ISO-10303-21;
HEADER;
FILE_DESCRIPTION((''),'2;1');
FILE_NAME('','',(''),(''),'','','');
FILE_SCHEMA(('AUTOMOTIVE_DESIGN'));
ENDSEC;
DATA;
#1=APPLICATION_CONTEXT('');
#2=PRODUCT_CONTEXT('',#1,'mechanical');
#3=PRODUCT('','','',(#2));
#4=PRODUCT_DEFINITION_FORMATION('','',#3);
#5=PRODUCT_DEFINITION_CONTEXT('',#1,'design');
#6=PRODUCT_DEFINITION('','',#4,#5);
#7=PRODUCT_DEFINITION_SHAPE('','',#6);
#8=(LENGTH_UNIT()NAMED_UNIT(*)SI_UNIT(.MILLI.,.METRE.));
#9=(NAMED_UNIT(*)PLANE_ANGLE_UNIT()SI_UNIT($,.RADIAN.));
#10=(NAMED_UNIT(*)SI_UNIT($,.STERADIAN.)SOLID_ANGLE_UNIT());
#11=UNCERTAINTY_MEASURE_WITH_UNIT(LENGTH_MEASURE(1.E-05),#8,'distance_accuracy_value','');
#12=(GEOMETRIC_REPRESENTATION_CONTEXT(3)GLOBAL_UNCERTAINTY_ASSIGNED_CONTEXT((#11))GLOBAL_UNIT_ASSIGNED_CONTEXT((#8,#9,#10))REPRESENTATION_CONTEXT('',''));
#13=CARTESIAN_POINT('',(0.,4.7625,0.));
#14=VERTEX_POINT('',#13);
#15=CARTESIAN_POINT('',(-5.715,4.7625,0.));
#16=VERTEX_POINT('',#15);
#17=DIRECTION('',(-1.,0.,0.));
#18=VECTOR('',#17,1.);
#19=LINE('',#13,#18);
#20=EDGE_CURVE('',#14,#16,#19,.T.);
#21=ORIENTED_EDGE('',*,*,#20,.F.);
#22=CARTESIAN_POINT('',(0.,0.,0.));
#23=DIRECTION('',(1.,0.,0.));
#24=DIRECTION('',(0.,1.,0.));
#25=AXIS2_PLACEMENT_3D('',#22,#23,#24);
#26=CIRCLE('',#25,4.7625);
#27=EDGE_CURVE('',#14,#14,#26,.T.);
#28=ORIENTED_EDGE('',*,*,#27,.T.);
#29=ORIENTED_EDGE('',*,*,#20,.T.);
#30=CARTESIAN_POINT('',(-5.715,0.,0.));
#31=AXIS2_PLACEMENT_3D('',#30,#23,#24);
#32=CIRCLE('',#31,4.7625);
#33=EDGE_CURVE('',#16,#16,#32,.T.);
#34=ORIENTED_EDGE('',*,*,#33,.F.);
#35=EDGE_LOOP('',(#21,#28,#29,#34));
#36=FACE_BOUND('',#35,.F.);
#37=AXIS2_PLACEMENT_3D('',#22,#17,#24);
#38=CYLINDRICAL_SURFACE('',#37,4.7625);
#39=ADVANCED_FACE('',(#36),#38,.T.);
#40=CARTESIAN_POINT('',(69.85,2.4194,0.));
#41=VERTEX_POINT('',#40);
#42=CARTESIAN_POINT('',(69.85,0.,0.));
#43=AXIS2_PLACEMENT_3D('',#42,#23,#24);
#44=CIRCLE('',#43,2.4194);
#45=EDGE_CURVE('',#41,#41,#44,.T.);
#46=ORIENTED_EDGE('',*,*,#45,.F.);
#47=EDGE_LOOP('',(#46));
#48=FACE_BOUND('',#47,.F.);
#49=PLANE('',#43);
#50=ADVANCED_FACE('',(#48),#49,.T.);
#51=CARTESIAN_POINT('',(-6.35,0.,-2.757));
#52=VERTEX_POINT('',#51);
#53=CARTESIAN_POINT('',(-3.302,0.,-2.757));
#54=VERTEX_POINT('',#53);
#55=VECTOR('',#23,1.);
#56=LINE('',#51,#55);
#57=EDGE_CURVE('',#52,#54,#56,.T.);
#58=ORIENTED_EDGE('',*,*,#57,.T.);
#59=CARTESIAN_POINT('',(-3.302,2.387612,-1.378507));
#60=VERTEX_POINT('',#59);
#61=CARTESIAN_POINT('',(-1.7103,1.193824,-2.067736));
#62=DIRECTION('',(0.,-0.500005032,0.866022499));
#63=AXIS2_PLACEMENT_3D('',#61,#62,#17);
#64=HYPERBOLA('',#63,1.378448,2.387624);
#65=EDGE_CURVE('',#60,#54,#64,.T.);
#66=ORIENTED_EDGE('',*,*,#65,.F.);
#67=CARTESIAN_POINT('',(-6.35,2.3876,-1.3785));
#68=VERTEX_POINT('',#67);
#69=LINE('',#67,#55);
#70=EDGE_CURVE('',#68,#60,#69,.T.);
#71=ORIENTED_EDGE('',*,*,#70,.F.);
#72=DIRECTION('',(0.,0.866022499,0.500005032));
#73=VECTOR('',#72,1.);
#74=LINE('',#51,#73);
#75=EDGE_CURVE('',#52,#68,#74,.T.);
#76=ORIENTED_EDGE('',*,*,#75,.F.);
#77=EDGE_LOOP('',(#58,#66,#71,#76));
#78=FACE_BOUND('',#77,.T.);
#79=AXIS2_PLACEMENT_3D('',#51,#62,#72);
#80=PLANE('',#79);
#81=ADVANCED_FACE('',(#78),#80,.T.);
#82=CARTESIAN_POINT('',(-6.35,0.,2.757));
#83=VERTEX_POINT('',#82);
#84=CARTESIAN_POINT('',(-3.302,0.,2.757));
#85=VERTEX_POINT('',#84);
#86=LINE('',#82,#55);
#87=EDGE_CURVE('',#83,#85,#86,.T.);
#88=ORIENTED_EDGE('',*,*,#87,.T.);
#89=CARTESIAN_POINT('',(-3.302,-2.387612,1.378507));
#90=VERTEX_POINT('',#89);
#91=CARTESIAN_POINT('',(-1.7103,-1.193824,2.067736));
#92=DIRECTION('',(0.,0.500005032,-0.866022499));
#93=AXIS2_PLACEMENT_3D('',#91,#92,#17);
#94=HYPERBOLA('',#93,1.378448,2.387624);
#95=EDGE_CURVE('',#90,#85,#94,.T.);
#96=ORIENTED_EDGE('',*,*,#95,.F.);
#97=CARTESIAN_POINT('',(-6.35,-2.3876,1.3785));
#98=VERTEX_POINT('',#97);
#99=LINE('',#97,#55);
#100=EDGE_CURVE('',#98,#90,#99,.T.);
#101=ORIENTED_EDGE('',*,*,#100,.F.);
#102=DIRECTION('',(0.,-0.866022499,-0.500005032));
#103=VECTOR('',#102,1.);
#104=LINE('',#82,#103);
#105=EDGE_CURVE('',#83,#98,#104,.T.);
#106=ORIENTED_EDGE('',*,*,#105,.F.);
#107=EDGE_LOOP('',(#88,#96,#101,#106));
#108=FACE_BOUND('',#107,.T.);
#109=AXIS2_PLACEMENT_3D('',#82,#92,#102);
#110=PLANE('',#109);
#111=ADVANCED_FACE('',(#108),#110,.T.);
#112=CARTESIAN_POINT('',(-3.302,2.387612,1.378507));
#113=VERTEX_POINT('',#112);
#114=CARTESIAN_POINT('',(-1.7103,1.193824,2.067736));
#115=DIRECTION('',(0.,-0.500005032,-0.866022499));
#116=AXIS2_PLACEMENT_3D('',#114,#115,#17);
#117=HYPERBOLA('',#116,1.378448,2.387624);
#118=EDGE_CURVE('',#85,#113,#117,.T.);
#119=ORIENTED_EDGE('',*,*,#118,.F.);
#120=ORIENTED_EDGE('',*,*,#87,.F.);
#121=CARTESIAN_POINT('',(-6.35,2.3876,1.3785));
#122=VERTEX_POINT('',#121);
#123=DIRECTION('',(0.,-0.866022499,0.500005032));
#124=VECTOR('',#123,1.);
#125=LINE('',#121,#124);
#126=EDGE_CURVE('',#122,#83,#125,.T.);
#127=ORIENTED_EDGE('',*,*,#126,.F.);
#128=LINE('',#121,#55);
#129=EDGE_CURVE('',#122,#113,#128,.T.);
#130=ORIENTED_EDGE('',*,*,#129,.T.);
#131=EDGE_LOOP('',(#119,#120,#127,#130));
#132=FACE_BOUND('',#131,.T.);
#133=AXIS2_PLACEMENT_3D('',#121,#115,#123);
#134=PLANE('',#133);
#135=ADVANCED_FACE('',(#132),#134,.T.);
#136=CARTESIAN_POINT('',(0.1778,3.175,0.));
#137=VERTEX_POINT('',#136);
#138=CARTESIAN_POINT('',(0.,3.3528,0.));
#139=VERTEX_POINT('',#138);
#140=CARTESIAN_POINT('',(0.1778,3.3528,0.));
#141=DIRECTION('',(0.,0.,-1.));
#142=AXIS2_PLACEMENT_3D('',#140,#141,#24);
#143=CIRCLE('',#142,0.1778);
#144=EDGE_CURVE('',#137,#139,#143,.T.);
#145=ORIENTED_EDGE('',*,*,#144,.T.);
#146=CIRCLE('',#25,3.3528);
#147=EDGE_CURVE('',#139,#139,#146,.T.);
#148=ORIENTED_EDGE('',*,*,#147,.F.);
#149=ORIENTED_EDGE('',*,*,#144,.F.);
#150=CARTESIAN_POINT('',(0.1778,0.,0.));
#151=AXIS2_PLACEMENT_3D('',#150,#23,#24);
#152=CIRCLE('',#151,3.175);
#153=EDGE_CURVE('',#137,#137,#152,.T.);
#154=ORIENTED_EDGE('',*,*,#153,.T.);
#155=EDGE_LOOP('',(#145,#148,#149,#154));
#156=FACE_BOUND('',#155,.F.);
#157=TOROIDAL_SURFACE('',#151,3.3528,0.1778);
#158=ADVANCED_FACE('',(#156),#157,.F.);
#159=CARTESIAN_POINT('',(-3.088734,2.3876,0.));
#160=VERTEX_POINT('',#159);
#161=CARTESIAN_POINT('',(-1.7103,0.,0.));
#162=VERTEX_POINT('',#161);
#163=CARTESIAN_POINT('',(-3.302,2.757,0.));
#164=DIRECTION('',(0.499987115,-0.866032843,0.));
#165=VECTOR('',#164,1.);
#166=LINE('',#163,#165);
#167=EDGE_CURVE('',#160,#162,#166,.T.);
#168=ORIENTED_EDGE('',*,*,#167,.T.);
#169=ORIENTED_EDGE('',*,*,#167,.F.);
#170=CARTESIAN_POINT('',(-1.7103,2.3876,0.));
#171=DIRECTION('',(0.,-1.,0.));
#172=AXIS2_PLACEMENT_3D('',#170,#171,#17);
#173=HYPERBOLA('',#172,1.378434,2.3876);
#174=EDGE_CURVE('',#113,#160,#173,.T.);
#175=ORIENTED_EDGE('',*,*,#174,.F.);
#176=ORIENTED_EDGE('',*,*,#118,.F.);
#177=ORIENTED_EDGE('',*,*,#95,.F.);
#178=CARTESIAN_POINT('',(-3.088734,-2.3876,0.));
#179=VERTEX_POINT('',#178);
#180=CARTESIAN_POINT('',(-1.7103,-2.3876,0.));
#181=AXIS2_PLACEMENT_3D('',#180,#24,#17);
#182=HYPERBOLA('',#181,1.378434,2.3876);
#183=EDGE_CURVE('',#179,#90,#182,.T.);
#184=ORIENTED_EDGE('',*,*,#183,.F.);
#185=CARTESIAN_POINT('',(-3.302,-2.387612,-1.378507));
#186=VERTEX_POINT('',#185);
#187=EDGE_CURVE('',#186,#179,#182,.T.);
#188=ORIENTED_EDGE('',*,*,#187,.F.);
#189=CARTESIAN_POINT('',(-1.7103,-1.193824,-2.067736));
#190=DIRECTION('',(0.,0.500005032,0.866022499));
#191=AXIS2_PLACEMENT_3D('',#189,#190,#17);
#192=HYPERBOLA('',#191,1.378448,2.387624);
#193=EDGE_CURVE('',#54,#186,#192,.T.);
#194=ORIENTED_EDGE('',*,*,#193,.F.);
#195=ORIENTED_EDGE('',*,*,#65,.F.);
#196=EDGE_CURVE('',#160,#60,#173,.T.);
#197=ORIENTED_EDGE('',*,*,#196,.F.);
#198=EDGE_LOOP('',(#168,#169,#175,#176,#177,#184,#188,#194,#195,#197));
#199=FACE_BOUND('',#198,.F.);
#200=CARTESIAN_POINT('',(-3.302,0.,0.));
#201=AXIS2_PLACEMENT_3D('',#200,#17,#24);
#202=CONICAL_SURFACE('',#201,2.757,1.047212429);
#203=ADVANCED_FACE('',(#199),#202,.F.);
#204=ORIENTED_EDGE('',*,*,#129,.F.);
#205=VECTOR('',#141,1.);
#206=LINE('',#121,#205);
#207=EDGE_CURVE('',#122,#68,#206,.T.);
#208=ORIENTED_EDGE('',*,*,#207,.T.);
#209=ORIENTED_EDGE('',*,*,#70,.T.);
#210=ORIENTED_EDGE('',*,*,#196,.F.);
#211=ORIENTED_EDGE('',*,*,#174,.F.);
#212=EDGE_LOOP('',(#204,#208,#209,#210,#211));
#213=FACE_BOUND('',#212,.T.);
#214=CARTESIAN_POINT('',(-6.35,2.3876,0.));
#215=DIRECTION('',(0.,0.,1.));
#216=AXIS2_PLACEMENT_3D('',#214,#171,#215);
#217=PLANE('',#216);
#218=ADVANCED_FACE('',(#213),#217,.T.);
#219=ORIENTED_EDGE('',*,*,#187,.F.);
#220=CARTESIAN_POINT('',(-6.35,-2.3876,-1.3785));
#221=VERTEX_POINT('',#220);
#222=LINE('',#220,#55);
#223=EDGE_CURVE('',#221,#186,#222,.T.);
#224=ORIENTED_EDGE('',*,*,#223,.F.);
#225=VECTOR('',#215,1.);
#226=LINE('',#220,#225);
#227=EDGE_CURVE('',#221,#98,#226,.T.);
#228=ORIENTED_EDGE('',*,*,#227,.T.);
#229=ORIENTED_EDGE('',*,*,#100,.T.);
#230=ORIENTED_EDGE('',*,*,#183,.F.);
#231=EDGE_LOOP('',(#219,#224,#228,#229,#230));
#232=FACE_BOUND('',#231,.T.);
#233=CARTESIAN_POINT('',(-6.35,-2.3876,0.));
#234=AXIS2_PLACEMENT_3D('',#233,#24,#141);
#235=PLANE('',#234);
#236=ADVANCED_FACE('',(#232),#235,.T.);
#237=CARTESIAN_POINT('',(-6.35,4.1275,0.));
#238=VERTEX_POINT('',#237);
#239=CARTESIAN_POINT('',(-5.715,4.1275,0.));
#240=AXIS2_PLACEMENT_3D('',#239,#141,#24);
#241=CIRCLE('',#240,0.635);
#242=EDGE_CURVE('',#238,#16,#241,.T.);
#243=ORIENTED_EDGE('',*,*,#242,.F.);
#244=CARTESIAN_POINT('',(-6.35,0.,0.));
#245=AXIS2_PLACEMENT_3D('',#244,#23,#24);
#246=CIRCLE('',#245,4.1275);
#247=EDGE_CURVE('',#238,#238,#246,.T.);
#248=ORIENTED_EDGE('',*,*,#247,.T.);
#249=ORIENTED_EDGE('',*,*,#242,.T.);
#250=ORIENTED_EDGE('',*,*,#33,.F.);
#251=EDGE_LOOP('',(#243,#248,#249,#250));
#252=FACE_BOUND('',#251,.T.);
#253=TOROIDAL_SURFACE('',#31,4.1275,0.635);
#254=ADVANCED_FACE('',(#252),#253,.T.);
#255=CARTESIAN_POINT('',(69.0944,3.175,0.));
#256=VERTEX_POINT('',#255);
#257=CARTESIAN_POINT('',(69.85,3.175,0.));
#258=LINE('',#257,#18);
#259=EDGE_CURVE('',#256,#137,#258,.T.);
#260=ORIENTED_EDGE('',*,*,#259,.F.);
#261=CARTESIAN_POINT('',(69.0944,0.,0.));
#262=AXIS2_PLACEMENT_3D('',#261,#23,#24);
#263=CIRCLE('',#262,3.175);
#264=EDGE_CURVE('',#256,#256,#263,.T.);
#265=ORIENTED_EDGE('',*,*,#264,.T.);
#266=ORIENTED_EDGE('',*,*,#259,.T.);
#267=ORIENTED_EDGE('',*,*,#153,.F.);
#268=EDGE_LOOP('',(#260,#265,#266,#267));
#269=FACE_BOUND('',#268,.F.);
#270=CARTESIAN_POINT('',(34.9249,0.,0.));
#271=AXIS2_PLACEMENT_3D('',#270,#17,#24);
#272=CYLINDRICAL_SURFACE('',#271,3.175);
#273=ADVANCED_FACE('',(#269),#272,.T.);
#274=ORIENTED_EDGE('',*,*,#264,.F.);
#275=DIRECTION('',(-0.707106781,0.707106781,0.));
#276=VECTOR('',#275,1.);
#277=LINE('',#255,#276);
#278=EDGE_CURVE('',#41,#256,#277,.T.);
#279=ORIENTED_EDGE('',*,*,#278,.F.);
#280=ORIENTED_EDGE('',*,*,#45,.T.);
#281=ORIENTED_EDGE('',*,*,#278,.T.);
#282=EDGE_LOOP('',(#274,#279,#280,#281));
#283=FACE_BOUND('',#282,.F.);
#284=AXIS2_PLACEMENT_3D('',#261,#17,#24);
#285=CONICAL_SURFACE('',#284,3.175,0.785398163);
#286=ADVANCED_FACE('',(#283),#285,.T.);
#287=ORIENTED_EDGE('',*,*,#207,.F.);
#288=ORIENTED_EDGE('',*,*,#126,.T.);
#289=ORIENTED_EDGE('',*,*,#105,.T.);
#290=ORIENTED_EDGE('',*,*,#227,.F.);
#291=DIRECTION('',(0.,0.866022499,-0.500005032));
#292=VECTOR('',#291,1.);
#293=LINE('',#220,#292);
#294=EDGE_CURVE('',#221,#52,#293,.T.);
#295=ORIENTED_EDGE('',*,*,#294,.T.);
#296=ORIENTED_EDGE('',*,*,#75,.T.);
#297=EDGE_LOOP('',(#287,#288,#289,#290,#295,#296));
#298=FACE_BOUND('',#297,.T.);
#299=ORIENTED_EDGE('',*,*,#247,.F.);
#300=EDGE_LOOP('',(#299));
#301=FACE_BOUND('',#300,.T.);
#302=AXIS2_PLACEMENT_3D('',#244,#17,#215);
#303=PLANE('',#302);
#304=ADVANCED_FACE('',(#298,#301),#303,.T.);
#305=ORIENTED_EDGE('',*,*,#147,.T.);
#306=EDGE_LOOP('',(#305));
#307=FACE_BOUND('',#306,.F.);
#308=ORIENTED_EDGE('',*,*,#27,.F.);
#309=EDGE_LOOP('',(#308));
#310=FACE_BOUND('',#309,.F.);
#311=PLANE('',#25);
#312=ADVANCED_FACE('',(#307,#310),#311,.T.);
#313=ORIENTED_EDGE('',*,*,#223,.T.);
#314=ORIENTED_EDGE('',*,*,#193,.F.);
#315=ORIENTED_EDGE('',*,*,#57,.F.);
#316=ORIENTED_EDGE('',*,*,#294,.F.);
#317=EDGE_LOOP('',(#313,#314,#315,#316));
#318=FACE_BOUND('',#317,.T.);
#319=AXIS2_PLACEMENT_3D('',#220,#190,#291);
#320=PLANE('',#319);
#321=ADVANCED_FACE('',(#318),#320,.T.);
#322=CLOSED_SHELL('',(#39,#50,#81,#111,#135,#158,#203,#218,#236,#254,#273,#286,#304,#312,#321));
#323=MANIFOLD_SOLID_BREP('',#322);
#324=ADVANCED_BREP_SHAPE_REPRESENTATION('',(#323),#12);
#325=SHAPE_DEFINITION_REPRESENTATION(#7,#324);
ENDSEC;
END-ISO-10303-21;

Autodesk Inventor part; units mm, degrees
ref_plane "YZ Plane" through (0, 0, 0) normal (1, 0, 0) x (0, 1, 0)
ref_plane "XZ Plane" through (0, 0, 0) normal (0, 1, 0) x (-1, 0, 0)
sketch "Sketch1" plane through (0, 0, 0) normal (0, 0, 1) x (1, 0, 0)
  line L0 (-1.7103, 0) -> (69.85, 0)
  line L1 (69.85, 0) -> (69.85, 3.175)
  line L2 (69.85, 3.175) -> (38.1, 3.175)
  line L3 (38.1, 3.175) -> (34.9249, 3.175)
  line L4 (34.9249, 3.175) -> (0, 3.175)
  line L5 (0, 3.175) -> (0, 4.7625)
  line L6 (0, 4.7625) -> (-6.35, 4.7625)
  line L7 (-6.35, 4.7625) -> (-6.35, 2.757)
  line L8 (-6.35, 2.757) -> (-3.302, 2.757)
  line L9 (-3.302, 2.757) -> (-1.7103, 0)
  line L10 (-21.59, 0) -> (85.09, 0) projected
  line L11 (0, -0.9525) -> (0, 5.715) projected
  line L12 (38.1, 3.175) -> (0, 3.175) construction
  dimension "d1" = 31.75
  dimension "d2" = 3.1751
  dimension "d3" = 6.35
  dimension "d4" = 3.048
  dimension "d5" = 60
  dimension "d6" = 6.35
  dimension "d7" = 6.35
  dimension "d8" = 5.5139
  dimension "d9" = 9.525
  dimension "d26" = 69.85
revolve "Body" add sketch "Sketch1" angle 360 about axis through (-1.7103, 0, 0) along (1, 0, 0)
sketch "Sketch2" plane through (-6.35, 0, 0) normal (-1, 0, 0) x (0, 0, 1)
  circle A0 centre (0, 0) radius 2.757 projected
  line L0 (0, -6.6675) -> (0, 6.6675) projected
  line L1 (-6.6675, 0) -> (6.6675, 0) projected
  line L2 (2.757, 0) -> (1.3785, -2.3876)
  line L3 (1.3785, -2.3876) -> (-1.3785, -2.3876)
  line L4 (-1.3785, -2.3876) -> (-2.757, 0)
  line L5 (-2.757, 0) -> (-1.3785, 2.3876)
  line L6 (-1.3785, 2.3876) -> (1.3785, 2.3876)
  line L7 (1.3785, 2.3876) -> (2.757, 0)
extrude "Slot" add sketch "Sketch2" against normal up to next contours L7 A0 | A0 L2 | L6 L0 A0 | A0 L0 L3 | L0 L6 A0 | A0 L3 L0 | L4 A0 | A0 L5
fillet "Fillet1" radius 0.635 1 edges at (-6.35, -4.7625, 0)
thread "Thread" size "1/4-20 UNC" class "2A" standard "ANSI Unified Screw Threads" length 31.75
chamfer "Chamfer1" distance 0.7556 distance2 0.7556 1 edges at (69.85, -3.175, 0) measured on face at (69.85, -1.295, 0.7629)
ref_plane "Work Plane1" through (29, 0, 0) normal (0, -1, 0) x (1, 0, 0)
fillet "Fillet2" radius 0.1778 1 edges at (0, -3.175, 0)
equation "\"d1\" = GEL"
equation "\"d3\" = KOH"
equation "\"d4\" = INTI"
equation "\"d6\" = GD"
equation "\"d7\" = BDM"
equation "\"d8\" = 1.1547 * SW"
equation "\"d9\" = KOD"
equation "\"d26\" = NLG"
equation "\"d30\" = R"
equation "\"d17\" = RR"
equation "\"d13\" = GEL"
equation "\"d15\" = -0.5 * SPD + 0.5 * GD"
equation "\"d16\" = GUL"
equation "\"GD\" = 6.35"
equation "\"NLG\" = 69.85"
equation "\"GEL\" = 31.75"
equation "\"KOD\" = 9.525"
equation "\"KOH\" = 6.35"
equation "\"INTI\" = 3.048"
equation "\"GAL\" = 3.175"
equation "\"GUL\" = 0.75565"
equation "\"BDM\" = 6.35"
equation "\"SW\" = 4.7752"
equation "\"RR\" = 0.635"
equation "\"SPD\" = 4.8387"
equation "\"R\" = 0.1778"
equation "\"PHH\" = 0.2032"
equation "\"GD1\" = SPD"
equation "\"THREADDIA\" = 6.35"
equation "\"FAWI\" = 45deg"
equation "\"KOH1\" = 5.715"
equation "\"NND\" = 6.35"
equation "\"TOA\" = 30deg"
equation "\"E0\" = 1.155 * SW"
properties part number "ANSI B18.3 - 1/4 - 20 UNC - 2 3/4 HS HCS" material "Steel, Mild"
